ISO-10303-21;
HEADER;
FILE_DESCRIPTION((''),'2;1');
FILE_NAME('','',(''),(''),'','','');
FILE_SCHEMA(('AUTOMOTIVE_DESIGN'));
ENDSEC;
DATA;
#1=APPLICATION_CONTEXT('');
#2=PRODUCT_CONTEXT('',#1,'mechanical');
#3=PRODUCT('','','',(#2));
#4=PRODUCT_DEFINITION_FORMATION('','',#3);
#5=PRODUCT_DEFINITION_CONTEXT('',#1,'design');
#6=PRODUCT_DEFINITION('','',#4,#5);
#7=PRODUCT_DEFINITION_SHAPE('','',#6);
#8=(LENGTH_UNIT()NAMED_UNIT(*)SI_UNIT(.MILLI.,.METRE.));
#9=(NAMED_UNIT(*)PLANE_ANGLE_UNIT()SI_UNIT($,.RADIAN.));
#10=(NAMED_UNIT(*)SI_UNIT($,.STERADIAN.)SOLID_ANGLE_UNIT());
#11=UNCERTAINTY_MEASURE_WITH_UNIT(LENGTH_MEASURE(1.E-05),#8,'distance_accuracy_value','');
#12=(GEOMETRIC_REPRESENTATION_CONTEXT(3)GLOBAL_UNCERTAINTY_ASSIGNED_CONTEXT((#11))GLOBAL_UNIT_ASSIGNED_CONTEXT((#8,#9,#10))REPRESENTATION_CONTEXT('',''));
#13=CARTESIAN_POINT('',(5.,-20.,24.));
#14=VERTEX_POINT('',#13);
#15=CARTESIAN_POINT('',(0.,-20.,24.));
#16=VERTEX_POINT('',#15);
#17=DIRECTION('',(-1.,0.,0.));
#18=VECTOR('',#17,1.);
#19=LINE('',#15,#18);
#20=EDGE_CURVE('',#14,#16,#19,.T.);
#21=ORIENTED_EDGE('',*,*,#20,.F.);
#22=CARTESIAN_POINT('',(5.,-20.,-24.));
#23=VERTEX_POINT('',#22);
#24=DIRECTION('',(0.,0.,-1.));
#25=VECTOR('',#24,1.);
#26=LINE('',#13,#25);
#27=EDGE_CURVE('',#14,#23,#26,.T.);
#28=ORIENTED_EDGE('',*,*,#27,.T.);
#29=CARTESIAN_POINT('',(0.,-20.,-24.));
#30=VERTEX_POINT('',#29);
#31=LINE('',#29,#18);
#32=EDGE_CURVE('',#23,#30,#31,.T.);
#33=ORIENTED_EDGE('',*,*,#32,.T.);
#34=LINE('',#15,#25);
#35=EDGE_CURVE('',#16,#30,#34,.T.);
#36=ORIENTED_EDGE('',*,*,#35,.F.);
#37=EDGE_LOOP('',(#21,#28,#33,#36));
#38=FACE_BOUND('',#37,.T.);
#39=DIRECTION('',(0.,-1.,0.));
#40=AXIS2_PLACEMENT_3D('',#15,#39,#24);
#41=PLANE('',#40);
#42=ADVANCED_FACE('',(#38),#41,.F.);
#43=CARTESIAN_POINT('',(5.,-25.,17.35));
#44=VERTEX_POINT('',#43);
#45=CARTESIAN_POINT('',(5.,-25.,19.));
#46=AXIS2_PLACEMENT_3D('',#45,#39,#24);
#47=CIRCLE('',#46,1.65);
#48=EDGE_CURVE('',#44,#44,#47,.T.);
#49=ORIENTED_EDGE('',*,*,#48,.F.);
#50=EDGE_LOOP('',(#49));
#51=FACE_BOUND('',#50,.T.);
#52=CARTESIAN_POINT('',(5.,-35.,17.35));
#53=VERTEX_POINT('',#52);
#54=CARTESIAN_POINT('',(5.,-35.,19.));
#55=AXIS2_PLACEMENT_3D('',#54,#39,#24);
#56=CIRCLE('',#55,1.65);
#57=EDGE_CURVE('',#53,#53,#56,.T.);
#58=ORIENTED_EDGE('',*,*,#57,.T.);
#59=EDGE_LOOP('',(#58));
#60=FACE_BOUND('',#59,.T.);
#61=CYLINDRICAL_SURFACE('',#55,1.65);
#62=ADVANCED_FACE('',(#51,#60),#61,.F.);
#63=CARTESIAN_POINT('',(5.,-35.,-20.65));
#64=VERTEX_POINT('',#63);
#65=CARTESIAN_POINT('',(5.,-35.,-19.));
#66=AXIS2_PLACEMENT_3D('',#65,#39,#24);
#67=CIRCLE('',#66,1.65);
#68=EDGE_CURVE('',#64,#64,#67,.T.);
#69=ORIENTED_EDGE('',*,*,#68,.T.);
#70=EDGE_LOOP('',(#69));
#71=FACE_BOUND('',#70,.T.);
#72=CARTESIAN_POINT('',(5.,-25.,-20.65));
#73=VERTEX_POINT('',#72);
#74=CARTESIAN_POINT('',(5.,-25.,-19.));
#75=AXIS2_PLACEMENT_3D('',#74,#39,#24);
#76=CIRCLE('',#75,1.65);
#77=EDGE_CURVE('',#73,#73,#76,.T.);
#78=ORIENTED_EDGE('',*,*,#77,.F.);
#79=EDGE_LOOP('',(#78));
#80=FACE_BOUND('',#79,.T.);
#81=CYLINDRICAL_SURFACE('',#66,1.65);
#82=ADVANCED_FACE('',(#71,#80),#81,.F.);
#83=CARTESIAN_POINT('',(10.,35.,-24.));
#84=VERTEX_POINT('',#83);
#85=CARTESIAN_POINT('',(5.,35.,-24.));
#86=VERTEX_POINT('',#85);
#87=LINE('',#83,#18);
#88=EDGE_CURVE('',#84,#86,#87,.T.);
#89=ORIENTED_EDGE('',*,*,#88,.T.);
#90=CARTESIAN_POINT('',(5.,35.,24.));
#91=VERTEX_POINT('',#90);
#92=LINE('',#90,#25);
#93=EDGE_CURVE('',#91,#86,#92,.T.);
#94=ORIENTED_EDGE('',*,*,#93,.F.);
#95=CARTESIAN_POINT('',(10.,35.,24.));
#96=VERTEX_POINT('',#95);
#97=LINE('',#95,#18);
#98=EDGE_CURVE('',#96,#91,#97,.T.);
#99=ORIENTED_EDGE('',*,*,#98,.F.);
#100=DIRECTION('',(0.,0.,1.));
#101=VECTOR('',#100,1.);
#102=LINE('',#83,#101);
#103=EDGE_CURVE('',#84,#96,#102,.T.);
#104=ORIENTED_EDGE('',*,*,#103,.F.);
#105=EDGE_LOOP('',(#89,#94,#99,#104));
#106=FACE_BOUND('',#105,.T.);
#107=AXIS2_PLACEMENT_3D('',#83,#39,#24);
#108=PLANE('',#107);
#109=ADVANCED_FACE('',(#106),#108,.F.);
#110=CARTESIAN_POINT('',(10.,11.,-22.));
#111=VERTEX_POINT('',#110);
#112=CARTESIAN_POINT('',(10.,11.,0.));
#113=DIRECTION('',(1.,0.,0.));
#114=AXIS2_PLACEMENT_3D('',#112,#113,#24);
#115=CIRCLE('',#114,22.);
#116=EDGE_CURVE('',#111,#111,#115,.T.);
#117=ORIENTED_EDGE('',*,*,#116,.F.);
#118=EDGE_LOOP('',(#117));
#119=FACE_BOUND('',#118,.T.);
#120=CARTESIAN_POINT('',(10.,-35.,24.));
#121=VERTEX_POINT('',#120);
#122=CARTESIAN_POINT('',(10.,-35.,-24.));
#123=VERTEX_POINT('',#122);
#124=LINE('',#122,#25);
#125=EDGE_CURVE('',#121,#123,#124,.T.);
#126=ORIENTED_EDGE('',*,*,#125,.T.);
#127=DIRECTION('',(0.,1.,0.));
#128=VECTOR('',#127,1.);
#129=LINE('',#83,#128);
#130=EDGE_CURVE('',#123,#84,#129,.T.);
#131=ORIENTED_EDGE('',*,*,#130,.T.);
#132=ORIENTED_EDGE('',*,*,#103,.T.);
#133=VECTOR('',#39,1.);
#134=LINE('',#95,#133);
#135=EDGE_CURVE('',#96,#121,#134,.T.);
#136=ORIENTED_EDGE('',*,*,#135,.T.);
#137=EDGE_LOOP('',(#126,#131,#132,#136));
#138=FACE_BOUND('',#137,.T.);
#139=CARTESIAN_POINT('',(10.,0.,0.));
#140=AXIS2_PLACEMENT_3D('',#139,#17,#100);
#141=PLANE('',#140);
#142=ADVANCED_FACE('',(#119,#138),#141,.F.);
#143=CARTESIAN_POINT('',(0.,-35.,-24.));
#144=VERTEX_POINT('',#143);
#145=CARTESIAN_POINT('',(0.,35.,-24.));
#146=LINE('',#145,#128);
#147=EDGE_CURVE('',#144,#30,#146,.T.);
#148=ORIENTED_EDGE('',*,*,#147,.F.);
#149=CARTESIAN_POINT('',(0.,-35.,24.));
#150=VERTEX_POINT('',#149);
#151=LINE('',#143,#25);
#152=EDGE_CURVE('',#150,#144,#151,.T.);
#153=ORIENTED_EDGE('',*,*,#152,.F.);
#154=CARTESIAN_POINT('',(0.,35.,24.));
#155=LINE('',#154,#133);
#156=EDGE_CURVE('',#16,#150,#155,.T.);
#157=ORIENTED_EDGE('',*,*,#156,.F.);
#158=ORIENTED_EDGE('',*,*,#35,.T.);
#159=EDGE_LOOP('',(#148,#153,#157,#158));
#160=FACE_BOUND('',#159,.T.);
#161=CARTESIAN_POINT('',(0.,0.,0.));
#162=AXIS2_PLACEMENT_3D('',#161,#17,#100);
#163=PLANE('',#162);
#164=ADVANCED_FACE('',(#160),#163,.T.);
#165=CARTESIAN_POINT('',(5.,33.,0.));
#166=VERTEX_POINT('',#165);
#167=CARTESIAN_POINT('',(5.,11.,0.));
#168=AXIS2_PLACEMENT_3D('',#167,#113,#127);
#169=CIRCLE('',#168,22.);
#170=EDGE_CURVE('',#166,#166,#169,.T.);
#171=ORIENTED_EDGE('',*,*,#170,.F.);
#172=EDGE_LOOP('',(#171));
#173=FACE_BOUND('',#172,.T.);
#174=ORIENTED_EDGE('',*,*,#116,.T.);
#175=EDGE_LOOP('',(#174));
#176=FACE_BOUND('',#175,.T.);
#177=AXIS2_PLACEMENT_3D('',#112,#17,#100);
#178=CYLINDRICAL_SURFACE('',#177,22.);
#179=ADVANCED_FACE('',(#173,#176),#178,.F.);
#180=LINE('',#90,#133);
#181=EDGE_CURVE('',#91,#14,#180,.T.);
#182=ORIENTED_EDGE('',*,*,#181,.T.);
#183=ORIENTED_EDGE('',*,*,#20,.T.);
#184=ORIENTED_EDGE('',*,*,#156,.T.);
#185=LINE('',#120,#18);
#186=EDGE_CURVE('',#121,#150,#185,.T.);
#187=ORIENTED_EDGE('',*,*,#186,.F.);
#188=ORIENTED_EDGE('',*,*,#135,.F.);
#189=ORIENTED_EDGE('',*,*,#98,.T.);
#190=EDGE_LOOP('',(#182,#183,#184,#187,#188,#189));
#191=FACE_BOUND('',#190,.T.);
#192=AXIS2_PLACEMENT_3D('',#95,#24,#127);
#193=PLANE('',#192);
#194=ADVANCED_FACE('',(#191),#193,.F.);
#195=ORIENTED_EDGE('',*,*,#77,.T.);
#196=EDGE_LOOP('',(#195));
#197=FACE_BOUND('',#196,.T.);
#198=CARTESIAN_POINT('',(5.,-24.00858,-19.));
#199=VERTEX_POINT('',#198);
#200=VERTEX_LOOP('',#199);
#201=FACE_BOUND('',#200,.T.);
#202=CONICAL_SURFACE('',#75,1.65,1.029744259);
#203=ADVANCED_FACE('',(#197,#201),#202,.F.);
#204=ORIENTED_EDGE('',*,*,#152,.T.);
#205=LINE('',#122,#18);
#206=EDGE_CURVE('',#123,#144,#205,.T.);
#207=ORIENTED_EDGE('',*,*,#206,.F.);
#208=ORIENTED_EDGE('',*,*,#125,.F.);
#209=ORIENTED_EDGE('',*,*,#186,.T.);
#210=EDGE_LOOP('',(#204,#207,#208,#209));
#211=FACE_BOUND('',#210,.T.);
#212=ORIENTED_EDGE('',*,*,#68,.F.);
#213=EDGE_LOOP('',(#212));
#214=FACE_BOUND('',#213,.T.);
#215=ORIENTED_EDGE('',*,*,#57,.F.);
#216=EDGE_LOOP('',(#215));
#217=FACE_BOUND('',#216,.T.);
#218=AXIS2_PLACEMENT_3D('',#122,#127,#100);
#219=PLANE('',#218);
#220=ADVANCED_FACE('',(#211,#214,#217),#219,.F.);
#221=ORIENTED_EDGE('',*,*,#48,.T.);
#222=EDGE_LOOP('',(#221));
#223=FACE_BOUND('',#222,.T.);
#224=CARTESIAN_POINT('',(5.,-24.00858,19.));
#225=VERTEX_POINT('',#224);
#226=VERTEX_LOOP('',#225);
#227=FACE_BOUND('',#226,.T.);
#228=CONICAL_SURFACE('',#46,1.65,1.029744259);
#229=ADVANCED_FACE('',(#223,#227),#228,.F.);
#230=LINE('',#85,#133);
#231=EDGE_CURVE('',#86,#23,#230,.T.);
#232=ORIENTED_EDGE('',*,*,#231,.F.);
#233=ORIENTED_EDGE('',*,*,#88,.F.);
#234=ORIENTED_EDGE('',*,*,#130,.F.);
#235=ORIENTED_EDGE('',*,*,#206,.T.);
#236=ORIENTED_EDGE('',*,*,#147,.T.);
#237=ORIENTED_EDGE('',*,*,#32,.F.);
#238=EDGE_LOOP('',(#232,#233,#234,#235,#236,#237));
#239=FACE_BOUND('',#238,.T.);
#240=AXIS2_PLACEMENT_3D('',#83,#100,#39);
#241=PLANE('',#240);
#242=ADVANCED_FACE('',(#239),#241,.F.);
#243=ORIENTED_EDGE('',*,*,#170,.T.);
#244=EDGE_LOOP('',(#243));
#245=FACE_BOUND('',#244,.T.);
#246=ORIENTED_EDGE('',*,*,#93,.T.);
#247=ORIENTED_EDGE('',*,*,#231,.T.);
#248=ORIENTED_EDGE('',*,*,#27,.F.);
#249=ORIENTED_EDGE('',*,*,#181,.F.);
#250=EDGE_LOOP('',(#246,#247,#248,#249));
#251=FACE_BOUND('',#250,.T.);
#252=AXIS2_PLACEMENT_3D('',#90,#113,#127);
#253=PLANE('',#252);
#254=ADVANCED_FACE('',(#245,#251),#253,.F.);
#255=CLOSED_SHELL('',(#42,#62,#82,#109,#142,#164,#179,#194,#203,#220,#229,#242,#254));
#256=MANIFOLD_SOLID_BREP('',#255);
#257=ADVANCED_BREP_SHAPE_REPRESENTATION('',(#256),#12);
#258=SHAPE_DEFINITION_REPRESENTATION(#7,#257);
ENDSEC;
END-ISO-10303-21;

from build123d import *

# Parameters (mm, degrees)
SKETCH4_W                       = 48
SKETCH4_H                       = 70
SKETCH4_R                       = 22
BOSS_EXTRUDE2_DEPTH             = 10
SKETCH5_W                       = 5
SKETCH5_H                       = 55
CUT_EXTRUDE1_DEPTH              = 61.241181927
TAP_DRILL_FOR_M4X0_7_TAP1_D     = 3.3
TAP_DRILL_FOR_M4X0_7_TAP1_DEPTH = 10
TAP_DRILL_FOR_M4X0_7_TAP1_TIP   = 0.991420021


with BuildPart() as part:
    # Sketch4 → Boss-Extrude2 (new body)
    with BuildSketch(Plane(origin=(0, 0, 0), x_dir=(0, 0, -1), z_dir=(1, 0, 0))):
        Rectangle(SKETCH4_W, SKETCH4_H)
        with Locations((0, 11)):
            Circle(SKETCH4_R, mode=Mode.SUBTRACT)
    extrude(amount=BOSS_EXTRUDE2_DEPTH)

    # Sketch5 → Cut-Extrude1 (cut, through all)
    with BuildSketch(Plane(origin=(0, 0, -24), x_dir=(-1, 0, 0), z_dir=(0, 0, -1))):
        with Locations((-2.5, 7.5)):
            Rectangle(SKETCH5_W, SKETCH5_H)
    extrude(amount=-CUT_EXTRUDE1_DEPTH, mode=Mode.SUBTRACT)

    # Tap Drill for M4x0.7 Tap1
    with Locations(Plane(origin=(0, -35, 0), x_dir=(-1, 0, 0), z_dir=(0, -1, 0))):
        with Locations((-5, 19), (-5, -19)):
            Hole(TAP_DRILL_FOR_M4X0_7_TAP1_D / 2, depth=TAP_DRILL_FOR_M4X0_7_TAP1_DEPTH)
            with Locations((0, 0, -(TAP_DRILL_FOR_M4X0_7_TAP1_DEPTH + TAP_DRILL_FOR_M4X0_7_TAP1_TIP / 2))):  # 118° drill point
                Cone(0, TAP_DRILL_FOR_M4X0_7_TAP1_D / 2, TAP_DRILL_FOR_M4X0_7_TAP1_TIP, mode=Mode.SUBTRACT)


solid = part.part
